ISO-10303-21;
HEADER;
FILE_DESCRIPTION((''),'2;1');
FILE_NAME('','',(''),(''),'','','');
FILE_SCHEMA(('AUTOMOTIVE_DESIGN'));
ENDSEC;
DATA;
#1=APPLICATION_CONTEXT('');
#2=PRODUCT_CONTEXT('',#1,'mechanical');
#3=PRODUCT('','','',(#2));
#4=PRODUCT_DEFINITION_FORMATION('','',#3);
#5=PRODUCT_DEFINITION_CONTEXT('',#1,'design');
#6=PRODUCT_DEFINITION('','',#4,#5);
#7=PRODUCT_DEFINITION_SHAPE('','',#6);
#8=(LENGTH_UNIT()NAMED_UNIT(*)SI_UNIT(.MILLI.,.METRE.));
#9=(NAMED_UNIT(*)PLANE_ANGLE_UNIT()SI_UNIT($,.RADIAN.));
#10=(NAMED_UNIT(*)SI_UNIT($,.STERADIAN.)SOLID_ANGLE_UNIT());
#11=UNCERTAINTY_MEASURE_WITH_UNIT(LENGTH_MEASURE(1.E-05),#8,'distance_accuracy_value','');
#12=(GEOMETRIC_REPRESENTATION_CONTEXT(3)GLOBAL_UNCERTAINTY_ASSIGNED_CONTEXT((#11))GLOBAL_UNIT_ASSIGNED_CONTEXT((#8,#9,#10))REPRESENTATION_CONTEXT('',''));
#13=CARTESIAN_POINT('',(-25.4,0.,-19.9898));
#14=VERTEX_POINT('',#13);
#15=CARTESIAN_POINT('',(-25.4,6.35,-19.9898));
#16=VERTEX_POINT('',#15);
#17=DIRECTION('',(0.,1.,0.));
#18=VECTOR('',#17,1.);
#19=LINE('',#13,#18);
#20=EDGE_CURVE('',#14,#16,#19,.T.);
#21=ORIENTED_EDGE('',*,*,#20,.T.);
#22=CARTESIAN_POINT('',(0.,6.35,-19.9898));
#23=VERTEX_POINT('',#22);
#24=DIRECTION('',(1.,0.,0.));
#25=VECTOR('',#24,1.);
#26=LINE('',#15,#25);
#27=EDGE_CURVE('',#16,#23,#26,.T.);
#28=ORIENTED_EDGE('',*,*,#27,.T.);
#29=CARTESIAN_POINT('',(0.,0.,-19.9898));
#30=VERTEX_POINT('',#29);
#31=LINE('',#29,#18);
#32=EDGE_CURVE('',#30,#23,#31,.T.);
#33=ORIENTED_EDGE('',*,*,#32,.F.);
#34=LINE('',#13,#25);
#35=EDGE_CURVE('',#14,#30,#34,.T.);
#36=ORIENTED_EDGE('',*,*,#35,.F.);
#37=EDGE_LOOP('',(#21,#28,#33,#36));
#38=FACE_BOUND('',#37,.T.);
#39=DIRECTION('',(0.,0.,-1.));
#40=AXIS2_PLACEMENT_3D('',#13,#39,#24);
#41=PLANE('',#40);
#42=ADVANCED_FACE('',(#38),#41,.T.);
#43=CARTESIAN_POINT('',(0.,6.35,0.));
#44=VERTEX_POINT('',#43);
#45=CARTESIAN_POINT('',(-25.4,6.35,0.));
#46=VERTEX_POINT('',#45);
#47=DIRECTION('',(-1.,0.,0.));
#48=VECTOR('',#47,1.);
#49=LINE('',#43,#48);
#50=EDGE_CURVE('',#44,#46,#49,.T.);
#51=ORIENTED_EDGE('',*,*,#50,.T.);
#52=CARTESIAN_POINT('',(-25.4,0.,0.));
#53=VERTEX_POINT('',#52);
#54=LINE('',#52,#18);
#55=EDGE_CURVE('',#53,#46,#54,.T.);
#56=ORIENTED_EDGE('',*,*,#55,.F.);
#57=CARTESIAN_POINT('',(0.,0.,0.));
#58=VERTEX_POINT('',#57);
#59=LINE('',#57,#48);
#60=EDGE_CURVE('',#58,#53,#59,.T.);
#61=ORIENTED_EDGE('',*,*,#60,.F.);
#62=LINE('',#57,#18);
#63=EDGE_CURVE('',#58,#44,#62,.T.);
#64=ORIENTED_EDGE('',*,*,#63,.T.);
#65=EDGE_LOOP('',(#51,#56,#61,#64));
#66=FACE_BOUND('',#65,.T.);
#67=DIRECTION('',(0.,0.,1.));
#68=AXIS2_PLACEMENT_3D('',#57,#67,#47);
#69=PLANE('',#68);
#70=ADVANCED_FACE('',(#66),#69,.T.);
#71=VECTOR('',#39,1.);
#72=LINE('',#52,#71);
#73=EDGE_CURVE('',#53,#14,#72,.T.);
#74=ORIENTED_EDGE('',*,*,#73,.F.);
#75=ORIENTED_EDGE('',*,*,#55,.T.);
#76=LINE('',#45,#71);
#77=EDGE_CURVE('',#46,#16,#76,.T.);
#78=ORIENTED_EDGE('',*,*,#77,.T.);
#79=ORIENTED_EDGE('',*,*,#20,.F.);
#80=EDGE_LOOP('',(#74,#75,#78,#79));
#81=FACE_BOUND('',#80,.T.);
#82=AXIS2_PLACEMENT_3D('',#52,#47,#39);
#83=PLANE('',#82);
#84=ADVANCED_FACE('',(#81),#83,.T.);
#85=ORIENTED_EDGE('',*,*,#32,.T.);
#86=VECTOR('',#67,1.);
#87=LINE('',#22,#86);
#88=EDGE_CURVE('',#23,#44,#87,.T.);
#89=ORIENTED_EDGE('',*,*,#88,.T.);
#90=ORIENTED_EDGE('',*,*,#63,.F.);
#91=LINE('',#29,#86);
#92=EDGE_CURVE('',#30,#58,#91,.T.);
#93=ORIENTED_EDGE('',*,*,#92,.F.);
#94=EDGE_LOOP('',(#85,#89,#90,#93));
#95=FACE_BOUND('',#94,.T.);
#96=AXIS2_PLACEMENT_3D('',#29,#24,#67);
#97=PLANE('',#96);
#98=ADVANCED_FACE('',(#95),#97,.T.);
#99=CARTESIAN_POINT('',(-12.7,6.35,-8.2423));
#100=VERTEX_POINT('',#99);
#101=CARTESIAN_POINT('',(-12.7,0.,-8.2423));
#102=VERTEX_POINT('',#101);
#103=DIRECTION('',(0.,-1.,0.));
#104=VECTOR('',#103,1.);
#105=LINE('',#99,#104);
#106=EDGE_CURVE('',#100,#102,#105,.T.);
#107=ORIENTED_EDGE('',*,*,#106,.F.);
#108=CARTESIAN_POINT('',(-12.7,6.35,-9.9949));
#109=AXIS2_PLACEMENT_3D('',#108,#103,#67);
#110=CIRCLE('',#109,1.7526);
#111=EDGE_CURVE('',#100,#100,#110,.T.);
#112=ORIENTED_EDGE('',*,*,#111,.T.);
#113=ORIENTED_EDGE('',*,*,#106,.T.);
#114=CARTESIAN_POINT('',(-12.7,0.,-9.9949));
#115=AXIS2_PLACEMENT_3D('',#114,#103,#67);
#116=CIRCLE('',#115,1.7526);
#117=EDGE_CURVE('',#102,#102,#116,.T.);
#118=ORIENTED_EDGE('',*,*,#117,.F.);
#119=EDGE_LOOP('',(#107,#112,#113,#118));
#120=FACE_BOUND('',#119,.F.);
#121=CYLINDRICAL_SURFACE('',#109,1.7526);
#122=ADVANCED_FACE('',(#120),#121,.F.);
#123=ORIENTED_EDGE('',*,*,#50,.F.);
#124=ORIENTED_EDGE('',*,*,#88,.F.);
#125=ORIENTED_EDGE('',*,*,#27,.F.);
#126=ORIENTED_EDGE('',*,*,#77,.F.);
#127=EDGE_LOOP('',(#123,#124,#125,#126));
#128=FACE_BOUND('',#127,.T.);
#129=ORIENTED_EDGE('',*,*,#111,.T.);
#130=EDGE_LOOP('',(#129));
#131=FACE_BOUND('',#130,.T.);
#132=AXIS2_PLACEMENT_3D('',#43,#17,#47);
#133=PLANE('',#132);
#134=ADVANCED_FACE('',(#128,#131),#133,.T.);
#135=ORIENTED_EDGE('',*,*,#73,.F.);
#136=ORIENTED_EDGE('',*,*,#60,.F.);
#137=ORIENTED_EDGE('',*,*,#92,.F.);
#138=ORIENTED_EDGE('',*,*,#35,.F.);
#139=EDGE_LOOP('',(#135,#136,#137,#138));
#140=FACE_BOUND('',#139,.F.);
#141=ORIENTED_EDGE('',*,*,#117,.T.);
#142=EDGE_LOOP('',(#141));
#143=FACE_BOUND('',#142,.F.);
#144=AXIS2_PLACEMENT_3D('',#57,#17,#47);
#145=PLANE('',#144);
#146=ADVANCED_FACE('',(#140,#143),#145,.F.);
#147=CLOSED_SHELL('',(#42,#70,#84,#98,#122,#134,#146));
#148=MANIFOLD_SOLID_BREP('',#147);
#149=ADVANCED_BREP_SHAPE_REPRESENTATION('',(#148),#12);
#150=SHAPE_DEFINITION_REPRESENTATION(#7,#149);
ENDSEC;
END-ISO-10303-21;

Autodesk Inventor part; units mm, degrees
ref_plane "YZ Plane" through (0, 0, 0) normal (1, 0, 0) x (0, 1, 0)
ref_plane "XZ Plane" through (0, 0, 0) normal (0, 1, 0) x (-1, 0, 0)
ref_plane "XY Plane" through (0, 0, 0) normal (0, 0, 1) x (1, 0, 0)
sketch "Sketch1" plane through (0, 0, 0) normal (0, 1, 0) x (-1, 0, 0)
  line L0 (0, 0) -> (25.4, 0)
  line L1 (25.4, 0) -> (25.4, -19.9898)
  line L2 (25.4, -19.9898) -> (0, -19.9898)
  line L3 (0, -19.9898) -> (0, 0)
  dimension "d0" = 25.4
  dimension "d1" = 19.9898
extrude "Extrusion1" add sketch "Sketch1" along normal blind 6.35
sketch "Sketch2" plane through (0, 6.35, 0) normal (0, 1, 0) x (1, 0, 0)
  line L0 (-25.4, 0) -> (0, 0) projected
  line L1 (0, 0) -> (0, 19.9898) projected
  line L2 (0, 19.9898) -> (-25.4, 19.9898) projected
  line L3 (-25.4, 19.9898) -> (-25.4, 0) projected
  point P0 (-12.7, 9.9949)
  dimension "d4" = 19.9898
  dimension "d5" = 25.4
  dimension "d6" = 12.7
  dimension "d7" = 9.9949
hole "Hole1" at (-12.7, 6.35, -9.9949) direction (0, -1, 0) diameter 3.5052 end through all
equation "\"d6\" = 0.5 * d5"
equation "\"d7\" = 0.5 * d4"
properties part number "SINGLE HOLE CONNECTOR"
